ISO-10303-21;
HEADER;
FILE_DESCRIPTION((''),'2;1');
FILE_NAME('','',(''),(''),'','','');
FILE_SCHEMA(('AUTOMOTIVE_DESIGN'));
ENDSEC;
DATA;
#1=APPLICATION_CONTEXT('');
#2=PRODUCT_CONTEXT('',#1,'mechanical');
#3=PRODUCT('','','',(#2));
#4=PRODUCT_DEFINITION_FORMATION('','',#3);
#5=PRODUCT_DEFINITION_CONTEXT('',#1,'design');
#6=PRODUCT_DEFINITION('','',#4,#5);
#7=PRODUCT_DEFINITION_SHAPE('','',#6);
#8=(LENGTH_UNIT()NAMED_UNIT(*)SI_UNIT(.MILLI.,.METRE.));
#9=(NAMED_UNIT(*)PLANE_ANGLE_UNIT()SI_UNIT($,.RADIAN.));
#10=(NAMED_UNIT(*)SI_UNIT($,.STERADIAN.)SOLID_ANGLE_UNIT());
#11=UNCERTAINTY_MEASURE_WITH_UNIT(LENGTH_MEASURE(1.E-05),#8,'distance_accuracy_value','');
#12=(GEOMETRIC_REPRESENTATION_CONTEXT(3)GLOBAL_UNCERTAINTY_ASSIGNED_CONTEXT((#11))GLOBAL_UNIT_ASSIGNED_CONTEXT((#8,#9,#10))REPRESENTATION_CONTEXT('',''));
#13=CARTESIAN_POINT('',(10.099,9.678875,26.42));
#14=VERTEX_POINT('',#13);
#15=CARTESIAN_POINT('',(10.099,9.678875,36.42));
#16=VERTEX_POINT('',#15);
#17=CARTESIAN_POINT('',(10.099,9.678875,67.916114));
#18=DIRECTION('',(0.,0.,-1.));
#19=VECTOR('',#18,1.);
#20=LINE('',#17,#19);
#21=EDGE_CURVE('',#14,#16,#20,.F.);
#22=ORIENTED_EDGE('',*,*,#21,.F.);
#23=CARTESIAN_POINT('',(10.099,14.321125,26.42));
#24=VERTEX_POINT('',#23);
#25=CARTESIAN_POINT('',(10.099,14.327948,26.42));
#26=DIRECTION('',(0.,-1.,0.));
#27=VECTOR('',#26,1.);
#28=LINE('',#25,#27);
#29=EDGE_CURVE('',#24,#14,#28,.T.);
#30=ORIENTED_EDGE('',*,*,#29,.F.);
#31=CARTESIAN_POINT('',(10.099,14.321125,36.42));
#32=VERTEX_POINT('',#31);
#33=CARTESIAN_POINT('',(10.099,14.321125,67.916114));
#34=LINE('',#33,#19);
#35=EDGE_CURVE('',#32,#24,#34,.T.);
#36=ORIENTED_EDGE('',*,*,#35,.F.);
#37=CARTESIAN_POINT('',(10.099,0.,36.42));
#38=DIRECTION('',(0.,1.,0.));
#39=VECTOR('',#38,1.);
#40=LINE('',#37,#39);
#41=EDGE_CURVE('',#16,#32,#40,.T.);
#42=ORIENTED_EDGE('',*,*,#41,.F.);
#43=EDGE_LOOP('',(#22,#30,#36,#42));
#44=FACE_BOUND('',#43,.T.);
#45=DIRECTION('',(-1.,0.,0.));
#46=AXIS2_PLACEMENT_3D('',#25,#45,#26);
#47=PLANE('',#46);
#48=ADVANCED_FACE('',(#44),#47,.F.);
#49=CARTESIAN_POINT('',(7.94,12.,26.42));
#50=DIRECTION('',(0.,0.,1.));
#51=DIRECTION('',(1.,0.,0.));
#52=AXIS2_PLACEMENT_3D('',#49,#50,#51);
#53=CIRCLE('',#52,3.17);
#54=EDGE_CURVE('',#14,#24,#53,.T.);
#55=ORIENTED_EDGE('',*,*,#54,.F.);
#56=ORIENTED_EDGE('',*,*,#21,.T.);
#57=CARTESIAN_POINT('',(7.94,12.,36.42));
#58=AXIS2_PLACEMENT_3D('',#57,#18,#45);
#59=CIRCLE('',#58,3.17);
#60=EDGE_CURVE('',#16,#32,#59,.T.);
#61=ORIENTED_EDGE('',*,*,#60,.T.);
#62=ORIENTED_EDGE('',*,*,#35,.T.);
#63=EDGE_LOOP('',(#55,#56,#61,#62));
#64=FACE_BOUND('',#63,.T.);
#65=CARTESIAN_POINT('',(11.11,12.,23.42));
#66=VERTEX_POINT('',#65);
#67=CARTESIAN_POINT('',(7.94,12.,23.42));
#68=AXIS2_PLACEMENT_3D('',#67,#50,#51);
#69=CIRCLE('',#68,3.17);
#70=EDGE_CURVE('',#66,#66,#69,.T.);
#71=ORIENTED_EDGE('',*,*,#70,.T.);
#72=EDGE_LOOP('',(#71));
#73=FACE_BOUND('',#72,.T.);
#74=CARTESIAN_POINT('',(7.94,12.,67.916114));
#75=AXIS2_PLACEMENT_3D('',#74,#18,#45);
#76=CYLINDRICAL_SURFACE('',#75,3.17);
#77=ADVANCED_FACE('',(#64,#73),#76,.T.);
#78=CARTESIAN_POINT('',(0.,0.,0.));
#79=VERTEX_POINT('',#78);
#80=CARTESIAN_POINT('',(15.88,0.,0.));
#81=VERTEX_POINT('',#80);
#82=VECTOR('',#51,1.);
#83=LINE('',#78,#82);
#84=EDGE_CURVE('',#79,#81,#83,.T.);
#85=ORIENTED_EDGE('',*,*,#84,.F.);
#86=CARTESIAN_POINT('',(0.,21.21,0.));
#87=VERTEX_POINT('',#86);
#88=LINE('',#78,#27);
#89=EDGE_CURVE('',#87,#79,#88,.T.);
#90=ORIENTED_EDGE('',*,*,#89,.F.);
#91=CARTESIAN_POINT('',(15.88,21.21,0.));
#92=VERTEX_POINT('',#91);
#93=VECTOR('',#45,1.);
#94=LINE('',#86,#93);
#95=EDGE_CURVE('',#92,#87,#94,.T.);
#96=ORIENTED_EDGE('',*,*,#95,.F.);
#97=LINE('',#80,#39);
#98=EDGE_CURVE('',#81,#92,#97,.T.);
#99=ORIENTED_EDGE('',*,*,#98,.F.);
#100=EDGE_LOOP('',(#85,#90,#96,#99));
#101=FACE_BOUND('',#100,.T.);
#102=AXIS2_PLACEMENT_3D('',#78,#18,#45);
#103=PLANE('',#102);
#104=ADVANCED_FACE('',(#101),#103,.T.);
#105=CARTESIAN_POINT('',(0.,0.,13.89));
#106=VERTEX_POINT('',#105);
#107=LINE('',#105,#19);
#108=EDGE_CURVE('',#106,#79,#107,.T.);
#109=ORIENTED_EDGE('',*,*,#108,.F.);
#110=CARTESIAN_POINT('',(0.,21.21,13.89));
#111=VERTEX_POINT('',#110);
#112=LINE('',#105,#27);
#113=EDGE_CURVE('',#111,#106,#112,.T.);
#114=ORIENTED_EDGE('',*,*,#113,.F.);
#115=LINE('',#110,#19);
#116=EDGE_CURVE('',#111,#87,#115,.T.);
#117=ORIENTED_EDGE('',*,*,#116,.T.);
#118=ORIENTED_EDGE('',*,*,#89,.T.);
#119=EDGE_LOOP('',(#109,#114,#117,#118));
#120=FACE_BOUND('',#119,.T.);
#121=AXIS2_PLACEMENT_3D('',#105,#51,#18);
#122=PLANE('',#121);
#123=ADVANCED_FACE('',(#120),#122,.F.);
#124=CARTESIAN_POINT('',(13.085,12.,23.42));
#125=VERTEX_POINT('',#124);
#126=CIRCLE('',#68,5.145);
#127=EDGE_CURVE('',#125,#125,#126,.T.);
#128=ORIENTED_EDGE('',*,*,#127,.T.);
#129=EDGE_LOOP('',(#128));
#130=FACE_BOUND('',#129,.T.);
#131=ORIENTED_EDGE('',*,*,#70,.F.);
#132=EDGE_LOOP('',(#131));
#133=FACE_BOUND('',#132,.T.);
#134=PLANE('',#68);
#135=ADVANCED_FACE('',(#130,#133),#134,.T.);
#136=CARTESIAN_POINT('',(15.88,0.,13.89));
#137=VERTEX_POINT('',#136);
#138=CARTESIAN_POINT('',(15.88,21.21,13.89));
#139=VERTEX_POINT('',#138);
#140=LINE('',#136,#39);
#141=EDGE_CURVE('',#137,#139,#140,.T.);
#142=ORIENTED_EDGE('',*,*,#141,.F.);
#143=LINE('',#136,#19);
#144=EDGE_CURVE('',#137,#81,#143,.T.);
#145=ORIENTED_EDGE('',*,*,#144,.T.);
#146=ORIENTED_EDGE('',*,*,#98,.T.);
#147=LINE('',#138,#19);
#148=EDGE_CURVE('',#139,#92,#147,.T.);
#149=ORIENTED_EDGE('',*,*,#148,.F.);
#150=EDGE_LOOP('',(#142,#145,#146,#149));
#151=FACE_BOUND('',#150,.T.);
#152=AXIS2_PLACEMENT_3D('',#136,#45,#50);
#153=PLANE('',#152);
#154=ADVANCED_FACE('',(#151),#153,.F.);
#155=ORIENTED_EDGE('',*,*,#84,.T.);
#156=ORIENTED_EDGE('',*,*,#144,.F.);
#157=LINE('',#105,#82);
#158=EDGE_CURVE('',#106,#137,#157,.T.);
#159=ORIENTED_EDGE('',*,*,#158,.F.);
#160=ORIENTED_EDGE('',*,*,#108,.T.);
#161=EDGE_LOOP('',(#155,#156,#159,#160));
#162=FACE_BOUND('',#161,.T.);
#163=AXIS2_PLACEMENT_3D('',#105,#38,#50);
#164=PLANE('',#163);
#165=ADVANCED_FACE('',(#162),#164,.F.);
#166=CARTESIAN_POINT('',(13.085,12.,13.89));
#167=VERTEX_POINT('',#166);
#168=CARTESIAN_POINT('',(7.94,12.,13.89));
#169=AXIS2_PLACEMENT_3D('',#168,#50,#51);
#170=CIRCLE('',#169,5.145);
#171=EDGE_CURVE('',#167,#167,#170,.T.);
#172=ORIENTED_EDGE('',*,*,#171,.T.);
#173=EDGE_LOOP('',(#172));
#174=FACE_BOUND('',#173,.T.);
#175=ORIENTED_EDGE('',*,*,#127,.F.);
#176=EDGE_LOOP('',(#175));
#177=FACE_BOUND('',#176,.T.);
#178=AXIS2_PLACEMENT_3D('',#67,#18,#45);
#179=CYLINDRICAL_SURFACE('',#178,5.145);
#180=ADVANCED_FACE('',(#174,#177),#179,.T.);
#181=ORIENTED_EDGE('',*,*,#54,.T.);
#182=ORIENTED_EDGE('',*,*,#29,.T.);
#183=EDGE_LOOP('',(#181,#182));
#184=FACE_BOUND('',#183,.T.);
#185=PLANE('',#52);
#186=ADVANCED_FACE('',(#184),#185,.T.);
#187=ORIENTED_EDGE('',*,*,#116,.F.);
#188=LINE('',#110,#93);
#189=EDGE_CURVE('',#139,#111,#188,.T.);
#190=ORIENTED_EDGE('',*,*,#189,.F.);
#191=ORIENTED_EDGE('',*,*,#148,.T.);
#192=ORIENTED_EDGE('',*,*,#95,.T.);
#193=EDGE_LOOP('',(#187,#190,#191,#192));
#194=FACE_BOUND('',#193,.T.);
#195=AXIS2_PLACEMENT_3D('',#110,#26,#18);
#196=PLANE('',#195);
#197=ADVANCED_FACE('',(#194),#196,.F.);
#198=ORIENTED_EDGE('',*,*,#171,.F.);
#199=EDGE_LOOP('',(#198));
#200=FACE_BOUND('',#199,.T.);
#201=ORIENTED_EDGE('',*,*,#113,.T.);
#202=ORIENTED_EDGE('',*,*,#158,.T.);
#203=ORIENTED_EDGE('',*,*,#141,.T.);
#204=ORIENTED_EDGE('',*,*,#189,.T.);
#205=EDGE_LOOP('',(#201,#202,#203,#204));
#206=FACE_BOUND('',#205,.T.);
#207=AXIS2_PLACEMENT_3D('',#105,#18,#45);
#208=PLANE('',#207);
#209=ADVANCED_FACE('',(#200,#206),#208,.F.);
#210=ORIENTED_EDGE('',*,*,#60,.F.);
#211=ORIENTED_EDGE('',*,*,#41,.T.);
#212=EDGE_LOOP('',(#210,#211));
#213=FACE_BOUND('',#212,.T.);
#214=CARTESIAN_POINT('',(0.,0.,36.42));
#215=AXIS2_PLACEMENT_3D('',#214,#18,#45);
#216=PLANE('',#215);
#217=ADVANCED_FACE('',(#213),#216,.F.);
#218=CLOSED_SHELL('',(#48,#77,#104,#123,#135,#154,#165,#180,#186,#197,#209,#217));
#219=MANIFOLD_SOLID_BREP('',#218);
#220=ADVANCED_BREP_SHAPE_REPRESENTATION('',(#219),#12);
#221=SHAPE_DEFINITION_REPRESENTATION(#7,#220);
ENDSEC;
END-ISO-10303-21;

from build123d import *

# Parameters (mm, degrees)
SKETCH2_W           = 15.88
SKETCH2_H           = 21.21
BOSS_EXTRUDE1_DEPTH = 13.89
SKETCH3_R           = 5.145
BOSS_EXTRUDE2_DEPTH = 9.53
SKETCH4_R           = 3.17
BOSS_EXTRUDE3_DEPTH = 13
CUT_EXTRUDE1_DEPTH  = 10


with BuildPart() as part:
    # Sketch2 → Boss-Extrude1 (new body)
    with BuildSketch(Plane.XY):
        with Locations((7.94, 10.605)):
            Rectangle(SKETCH2_W, SKETCH2_H)
    extrude(amount=BOSS_EXTRUDE1_DEPTH)

    # Sketch3 → Boss-Extrude2 (add)
    with BuildSketch(Plane.XY.offset(13.89)):
        with Locations((7.94, 12)):
            Circle(SKETCH3_R)
    extrude(amount=BOSS_EXTRUDE2_DEPTH)

    # Sketch4 → Boss-Extrude3 (add)
    with BuildSketch(Plane.XY.offset(23.42)):
        with Locations(Location((7.94, 12, 0), (0, 0, 180))):
            Circle(SKETCH4_R)
    extrude(amount=BOSS_EXTRUDE3_DEPTH)

    # Sketch5 → Cut-Extrude1 (cut)
    with BuildSketch(Plane.XY.offset(36.42)):
        with BuildLine():
            Line((10.099, 14.327948453), (10.099, 9.672051547))
            ThreePointArc((10.099, 9.672051547), (11.115, 12), (10.099, 14.327948453))
        make_face()
    extrude(amount=-CUT_EXTRUDE1_DEPTH, mode=Mode.SUBTRACT)


solid = part.part
